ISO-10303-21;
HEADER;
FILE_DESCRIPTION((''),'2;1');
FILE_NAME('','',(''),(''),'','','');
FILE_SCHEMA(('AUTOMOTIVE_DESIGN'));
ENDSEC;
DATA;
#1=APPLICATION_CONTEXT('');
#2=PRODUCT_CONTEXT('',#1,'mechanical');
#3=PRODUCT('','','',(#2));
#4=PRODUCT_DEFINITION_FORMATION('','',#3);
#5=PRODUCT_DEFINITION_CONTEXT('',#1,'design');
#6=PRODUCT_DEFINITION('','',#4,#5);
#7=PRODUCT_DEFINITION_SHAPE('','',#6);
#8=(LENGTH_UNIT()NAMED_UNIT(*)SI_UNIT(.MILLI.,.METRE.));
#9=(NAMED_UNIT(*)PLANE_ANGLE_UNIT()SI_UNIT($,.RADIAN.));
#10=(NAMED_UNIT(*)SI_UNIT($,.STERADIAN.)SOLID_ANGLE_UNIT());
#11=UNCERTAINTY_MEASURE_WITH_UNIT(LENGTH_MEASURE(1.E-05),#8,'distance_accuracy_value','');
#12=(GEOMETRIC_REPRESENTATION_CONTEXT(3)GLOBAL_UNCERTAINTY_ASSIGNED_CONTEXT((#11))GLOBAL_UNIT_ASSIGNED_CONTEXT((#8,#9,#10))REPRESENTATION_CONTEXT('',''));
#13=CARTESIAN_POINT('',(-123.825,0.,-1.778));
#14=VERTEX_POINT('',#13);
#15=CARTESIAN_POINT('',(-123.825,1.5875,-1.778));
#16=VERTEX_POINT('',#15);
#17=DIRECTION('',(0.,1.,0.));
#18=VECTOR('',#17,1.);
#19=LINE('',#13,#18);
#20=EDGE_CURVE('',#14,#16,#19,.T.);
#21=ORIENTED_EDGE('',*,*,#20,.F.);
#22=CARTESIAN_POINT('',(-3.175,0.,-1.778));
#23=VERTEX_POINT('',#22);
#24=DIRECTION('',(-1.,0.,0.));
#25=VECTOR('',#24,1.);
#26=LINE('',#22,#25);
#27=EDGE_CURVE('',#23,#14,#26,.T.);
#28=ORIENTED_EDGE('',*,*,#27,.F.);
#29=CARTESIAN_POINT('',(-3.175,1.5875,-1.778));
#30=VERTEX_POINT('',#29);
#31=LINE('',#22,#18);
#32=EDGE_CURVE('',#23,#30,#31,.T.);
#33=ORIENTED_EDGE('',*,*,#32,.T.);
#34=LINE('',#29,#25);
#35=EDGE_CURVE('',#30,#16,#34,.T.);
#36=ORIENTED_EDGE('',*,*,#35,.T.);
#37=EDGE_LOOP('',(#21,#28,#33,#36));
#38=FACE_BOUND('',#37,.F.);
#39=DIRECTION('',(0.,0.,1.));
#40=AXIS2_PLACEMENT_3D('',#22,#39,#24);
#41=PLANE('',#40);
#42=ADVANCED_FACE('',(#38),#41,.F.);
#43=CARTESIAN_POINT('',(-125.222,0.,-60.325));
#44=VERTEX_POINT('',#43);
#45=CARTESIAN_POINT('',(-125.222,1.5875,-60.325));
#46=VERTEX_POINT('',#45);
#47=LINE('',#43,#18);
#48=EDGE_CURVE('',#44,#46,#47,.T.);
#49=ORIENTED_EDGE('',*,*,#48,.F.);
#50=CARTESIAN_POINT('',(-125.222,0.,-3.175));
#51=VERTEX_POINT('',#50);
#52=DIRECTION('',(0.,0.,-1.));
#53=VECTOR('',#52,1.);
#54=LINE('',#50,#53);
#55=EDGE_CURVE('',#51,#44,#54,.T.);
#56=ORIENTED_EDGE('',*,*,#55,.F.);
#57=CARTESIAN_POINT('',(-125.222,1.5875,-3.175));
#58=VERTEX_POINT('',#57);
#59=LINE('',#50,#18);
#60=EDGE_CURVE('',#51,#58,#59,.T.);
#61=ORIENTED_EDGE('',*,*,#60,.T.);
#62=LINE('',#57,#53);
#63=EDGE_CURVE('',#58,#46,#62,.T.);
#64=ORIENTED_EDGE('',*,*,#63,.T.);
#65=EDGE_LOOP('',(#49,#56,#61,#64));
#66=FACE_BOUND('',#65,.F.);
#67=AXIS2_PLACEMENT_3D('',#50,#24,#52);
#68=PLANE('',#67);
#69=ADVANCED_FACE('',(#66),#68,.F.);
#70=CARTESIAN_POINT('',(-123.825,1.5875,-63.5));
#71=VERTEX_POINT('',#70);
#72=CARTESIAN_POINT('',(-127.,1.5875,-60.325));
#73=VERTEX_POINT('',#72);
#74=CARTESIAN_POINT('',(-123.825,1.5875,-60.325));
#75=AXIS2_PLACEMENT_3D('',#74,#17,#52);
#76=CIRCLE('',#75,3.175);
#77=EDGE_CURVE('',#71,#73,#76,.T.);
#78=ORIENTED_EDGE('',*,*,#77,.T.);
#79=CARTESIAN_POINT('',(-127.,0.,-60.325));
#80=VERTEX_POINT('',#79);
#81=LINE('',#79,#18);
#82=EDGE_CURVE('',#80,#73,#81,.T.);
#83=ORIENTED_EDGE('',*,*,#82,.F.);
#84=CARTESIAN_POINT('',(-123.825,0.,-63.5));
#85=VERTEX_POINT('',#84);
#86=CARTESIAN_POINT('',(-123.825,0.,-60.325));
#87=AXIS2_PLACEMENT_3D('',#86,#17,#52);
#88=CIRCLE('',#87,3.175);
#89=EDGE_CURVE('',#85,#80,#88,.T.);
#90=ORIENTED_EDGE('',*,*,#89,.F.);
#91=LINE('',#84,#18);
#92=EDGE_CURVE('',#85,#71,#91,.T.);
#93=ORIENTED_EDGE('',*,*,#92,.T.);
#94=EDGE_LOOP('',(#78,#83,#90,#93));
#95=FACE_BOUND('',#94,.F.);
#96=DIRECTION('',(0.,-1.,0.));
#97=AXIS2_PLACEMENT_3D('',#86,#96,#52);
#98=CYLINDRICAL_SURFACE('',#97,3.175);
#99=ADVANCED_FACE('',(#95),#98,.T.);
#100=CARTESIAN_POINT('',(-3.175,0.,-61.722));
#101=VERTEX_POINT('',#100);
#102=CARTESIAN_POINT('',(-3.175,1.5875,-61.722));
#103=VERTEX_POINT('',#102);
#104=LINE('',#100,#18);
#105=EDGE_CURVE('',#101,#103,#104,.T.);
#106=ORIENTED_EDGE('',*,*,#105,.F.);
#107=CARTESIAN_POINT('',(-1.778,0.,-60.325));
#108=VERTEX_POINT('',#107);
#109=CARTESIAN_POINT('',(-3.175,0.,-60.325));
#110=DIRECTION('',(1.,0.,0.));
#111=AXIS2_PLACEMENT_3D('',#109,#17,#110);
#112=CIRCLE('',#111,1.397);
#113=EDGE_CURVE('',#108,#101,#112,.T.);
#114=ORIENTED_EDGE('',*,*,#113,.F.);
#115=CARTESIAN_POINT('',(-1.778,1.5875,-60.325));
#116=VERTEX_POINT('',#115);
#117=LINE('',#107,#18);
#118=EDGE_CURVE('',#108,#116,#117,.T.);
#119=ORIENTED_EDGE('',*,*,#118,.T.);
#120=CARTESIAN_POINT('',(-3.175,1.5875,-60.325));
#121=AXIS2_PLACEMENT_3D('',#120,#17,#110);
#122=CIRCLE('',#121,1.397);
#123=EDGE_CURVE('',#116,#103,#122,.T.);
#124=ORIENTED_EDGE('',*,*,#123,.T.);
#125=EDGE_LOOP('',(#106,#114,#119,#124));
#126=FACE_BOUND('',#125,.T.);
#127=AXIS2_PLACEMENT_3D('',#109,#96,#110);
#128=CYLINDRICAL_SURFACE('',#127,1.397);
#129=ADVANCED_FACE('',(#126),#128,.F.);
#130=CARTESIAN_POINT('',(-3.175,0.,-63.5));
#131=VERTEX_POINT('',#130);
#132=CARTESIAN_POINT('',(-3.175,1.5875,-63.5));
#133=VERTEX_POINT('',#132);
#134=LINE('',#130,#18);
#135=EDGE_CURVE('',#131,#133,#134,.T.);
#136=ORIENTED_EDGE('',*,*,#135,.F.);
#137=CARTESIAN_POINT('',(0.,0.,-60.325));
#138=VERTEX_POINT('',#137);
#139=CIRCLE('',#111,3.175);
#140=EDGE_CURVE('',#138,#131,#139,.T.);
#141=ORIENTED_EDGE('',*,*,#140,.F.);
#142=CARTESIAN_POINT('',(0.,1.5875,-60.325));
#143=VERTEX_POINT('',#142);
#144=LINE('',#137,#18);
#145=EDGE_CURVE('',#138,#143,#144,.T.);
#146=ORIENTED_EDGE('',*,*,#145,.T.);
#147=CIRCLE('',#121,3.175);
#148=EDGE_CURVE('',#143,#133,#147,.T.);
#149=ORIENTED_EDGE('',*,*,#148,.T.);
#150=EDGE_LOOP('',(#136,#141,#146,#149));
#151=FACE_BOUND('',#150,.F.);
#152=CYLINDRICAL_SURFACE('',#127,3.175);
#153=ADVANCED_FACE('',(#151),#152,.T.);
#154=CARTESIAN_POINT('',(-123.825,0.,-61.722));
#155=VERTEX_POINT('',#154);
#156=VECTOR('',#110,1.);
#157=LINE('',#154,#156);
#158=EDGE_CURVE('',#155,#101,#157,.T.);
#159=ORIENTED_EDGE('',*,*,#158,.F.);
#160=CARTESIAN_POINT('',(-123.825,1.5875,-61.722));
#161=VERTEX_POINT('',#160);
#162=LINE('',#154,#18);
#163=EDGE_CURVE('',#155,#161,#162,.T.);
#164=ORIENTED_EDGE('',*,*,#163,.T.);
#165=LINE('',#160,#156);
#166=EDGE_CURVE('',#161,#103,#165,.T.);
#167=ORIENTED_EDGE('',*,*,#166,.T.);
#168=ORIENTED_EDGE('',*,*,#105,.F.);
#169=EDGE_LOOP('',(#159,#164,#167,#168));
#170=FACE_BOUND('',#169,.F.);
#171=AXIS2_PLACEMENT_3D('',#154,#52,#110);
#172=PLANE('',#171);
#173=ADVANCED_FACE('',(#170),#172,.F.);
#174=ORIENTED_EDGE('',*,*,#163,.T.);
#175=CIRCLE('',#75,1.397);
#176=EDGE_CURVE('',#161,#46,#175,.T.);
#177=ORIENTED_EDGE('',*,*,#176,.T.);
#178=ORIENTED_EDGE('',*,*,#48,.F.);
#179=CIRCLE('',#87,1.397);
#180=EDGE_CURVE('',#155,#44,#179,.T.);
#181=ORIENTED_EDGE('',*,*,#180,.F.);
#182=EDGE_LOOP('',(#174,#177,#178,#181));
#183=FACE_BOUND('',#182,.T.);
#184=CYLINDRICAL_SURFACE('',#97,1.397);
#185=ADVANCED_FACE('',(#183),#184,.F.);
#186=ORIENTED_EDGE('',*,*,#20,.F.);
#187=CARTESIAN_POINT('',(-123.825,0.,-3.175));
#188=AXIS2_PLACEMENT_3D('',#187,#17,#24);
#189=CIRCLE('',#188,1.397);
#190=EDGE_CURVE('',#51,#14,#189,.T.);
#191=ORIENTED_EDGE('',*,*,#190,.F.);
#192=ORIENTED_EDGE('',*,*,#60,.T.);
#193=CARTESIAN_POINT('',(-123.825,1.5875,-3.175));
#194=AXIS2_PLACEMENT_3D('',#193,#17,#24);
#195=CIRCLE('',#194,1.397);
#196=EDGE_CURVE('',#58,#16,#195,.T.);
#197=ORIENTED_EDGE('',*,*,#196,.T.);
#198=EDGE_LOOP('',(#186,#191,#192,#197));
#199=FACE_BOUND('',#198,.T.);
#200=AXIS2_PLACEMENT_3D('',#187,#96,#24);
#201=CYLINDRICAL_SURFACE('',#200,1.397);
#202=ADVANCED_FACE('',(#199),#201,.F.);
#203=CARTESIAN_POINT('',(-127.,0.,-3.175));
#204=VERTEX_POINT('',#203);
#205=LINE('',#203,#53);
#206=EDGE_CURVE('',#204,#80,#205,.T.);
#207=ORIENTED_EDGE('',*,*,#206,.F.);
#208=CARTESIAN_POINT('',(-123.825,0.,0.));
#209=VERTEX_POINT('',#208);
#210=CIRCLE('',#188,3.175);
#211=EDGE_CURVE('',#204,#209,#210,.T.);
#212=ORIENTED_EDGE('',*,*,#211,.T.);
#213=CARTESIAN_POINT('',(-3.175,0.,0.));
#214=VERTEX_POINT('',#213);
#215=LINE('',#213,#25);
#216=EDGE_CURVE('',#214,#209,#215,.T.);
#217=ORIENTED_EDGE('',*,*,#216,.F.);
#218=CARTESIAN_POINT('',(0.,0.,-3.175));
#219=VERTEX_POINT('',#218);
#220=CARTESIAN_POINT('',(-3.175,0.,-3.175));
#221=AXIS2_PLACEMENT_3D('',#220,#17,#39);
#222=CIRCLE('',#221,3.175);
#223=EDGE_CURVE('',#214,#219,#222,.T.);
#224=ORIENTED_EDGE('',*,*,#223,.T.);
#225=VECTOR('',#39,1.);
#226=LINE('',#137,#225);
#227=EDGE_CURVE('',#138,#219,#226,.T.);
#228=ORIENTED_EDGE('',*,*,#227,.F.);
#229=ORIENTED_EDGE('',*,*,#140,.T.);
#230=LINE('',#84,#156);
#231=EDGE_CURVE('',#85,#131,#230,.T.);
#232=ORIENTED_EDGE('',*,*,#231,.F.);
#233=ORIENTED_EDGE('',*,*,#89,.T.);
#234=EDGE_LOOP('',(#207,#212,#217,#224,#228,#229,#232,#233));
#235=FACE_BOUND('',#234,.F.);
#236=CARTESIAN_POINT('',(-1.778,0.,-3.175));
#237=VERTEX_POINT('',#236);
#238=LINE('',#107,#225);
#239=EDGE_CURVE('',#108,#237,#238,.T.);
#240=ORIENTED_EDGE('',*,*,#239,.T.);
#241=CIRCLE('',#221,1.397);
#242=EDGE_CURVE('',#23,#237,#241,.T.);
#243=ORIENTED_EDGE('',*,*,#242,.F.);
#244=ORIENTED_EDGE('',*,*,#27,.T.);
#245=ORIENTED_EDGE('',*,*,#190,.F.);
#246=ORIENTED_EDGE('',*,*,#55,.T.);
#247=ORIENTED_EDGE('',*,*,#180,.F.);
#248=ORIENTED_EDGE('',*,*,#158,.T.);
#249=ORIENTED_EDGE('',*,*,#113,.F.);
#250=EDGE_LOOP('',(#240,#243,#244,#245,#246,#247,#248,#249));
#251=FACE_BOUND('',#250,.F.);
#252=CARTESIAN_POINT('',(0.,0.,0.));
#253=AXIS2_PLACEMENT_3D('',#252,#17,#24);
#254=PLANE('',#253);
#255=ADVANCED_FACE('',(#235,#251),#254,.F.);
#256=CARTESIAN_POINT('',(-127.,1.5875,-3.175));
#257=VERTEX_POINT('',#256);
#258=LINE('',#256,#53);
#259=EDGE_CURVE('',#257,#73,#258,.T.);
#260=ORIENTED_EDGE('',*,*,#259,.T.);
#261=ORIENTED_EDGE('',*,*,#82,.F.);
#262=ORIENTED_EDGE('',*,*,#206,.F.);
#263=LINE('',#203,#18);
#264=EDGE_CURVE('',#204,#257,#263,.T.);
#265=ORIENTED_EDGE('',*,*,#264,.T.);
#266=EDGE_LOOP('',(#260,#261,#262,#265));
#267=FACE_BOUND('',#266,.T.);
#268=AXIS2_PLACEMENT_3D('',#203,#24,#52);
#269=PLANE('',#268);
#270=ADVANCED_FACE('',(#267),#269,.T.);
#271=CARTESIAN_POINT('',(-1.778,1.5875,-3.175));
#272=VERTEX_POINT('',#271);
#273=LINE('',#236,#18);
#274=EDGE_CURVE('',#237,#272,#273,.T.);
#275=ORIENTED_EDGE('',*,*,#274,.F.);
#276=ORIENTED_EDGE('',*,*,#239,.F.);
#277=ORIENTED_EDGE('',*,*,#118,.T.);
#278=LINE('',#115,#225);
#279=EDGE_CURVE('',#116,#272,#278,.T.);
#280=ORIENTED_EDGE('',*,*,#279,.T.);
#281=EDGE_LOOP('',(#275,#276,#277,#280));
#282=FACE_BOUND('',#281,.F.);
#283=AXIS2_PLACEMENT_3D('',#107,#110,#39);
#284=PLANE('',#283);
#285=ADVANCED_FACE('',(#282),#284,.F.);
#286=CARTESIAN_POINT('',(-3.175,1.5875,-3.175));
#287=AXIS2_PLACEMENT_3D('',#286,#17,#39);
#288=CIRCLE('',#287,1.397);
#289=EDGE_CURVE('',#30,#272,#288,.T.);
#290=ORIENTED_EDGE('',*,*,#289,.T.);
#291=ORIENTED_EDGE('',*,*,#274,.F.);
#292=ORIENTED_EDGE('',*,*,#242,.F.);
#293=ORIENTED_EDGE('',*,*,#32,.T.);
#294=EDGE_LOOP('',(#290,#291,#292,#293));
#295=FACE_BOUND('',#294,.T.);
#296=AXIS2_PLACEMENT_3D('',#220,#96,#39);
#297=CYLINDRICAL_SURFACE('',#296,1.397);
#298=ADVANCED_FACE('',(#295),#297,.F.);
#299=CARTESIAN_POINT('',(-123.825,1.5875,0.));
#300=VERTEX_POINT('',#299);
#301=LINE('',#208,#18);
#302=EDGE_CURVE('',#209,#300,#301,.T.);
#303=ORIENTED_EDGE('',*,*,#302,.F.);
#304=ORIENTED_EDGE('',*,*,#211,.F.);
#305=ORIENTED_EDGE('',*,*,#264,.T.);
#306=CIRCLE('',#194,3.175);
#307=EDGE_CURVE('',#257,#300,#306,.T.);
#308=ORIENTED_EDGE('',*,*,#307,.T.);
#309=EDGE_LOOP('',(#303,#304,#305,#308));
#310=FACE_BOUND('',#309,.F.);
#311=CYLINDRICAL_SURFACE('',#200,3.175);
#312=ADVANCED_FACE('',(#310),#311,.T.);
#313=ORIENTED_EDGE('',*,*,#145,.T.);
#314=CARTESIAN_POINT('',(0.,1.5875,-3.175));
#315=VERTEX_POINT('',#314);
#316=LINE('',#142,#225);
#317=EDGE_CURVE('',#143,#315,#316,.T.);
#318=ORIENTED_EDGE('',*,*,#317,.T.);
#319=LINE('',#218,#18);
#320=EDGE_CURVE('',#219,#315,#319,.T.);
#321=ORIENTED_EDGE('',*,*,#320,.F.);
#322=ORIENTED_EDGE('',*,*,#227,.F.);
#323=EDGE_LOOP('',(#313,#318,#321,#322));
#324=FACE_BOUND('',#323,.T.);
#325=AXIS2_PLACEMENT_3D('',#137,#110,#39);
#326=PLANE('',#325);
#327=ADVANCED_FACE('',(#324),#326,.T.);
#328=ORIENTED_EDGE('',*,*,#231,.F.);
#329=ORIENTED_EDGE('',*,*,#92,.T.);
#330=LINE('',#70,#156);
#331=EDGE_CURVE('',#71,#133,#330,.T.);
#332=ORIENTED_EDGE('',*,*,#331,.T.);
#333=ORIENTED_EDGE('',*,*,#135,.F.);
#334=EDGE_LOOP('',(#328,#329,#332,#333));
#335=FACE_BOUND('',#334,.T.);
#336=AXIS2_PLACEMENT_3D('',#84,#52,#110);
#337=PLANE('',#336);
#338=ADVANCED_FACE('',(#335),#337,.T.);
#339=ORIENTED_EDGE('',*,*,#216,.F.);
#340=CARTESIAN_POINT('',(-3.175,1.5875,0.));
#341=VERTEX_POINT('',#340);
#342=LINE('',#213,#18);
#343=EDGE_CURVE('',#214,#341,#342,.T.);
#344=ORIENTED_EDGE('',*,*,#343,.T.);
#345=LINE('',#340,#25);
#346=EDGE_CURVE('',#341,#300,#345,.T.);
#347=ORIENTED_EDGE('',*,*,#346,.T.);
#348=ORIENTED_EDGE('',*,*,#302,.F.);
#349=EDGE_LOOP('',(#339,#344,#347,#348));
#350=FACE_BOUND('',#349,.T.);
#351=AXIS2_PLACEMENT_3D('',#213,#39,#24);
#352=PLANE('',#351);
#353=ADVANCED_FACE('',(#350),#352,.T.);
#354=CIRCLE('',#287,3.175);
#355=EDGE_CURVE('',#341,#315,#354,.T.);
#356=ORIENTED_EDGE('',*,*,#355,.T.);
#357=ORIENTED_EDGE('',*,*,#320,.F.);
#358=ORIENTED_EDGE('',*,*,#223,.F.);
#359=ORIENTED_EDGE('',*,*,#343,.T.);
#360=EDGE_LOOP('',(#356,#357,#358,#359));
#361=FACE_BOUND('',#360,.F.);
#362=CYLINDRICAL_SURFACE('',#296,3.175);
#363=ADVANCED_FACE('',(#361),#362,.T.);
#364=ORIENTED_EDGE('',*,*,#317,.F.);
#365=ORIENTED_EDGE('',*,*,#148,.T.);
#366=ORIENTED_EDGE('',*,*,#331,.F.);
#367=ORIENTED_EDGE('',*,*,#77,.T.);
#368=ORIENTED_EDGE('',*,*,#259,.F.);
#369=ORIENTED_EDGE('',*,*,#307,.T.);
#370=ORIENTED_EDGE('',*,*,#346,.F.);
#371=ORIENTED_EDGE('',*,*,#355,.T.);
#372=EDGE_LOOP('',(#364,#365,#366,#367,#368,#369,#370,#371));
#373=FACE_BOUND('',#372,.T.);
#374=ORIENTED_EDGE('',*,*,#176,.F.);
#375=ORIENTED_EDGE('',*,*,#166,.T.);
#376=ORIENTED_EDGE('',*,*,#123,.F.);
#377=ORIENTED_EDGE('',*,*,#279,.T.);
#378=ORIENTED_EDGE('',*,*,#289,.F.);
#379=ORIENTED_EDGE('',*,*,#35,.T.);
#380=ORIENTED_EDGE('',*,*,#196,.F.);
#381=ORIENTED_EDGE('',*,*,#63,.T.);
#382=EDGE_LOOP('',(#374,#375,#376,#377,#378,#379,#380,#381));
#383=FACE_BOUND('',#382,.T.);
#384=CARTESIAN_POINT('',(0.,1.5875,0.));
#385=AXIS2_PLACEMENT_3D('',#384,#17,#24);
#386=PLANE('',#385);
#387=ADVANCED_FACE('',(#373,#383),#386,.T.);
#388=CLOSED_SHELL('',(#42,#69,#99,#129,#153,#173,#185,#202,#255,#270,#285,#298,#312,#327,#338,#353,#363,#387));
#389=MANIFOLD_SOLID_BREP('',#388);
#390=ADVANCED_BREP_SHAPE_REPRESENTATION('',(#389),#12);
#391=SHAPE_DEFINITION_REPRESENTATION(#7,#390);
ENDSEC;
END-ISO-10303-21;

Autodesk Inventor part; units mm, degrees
ref_plane "YZ Plane" through (0, 0, 0) normal (1, 0, 0) x (0, 1, 0)
ref_plane "XZ Plane" through (0, 0, 0) normal (0, 1, 0) x (-1, 0, 0)
ref_plane "XY Plane" through (0, 0, 0) normal (0, 0, 1) x (1, 0, 0)
sketch "Sketch1" plane through (0, 0, 0) normal (0, 1, 0) x (-1, 0, 0)
  line L0 (3.175, 0) -> (123.825, 0)
  line L1 (127, -3.175) -> (127, -60.325)
  line L2 (123.825, -63.5) -> (3.175, -63.5)
  line L3 (0, -60.325) -> (0, -3.175)
  arc A0 (127, -3.175) -> (123.825, 0) centre (123.825, -3.175) ccw
  arc A1 (123.825, -63.5) -> (127, -60.325) centre (123.825, -60.325) ccw
  arc A2 (0, -60.325) -> (3.175, -63.5) centre (3.175, -60.325) ccw
  arc A3 (3.175, 0) -> (0, -3.175) centre (3.175, -3.175) ccw
  line L4 (1.905, -3.175) -> (1.905, -60.325)
  arc A4 (1.905, -60.325) -> (3.175, -61.595) centre (3.175, -60.325) ccw
  line L5 (3.175, -61.595) -> (123.825, -61.595)
  arc A5 (123.825, -61.595) -> (125.095, -60.325) centre (123.825, -60.325) ccw
  line L6 (125.095, -60.325) -> (125.095, -3.175)
  arc A6 (125.095, -3.175) -> (123.825, -1.905) centre (123.825, -3.175) ccw
  line L7 (123.825, -1.905) -> (3.175, -1.905)
  arc A7 (3.175, -1.905) -> (1.905, -3.175) centre (3.175, -3.175) ccw
  line L8 (3.175, -1.778) -> (123.825, -1.778)
  arc A8 (125.222, -3.175) -> (123.825, -1.778) centre (123.825, -3.175) ccw
  line L9 (125.222, -3.175) -> (125.222, -60.325)
  arc A9 (123.825, -61.722) -> (125.222, -60.325) centre (123.825, -60.325) ccw
  line L10 (123.825, -61.722) -> (3.175, -61.722)
  arc A10 (1.778, -60.325) -> (3.175, -61.722) centre (3.175, -60.325) ccw
  line L11 (1.778, -60.325) -> (1.778, -3.175)
  arc A11 (3.175, -1.778) -> (1.778, -3.175) centre (3.175, -3.175) ccw
  point P0 (0, 0)
  point P1 (127, -63.5)
  point P2 (127, 0)
  point P3 (0, -63.5)
  point P4 (3.175, -3.175)
  point P5 (123.825, -3.175)
  point P6 (123.825, -60.325)
  point P7 (3.175, -60.325)
  dimension "d0" = 63.5
  dimension "d1" = 127
  dimension "d2" = 3.175
  dimension "d3" = 3.175
  dimension "d7" = 1.905
  dimension "d12" = 0.127
extrude "Extrusion1" add sketch "Sketch1" along normal blind 1.5875 contours L0 A0 L1 A1 L2 A2 L3 A3
equation "\"d3\" = d2"
properties part number "PinecilCaseBorder" material "ABS Plastic"
